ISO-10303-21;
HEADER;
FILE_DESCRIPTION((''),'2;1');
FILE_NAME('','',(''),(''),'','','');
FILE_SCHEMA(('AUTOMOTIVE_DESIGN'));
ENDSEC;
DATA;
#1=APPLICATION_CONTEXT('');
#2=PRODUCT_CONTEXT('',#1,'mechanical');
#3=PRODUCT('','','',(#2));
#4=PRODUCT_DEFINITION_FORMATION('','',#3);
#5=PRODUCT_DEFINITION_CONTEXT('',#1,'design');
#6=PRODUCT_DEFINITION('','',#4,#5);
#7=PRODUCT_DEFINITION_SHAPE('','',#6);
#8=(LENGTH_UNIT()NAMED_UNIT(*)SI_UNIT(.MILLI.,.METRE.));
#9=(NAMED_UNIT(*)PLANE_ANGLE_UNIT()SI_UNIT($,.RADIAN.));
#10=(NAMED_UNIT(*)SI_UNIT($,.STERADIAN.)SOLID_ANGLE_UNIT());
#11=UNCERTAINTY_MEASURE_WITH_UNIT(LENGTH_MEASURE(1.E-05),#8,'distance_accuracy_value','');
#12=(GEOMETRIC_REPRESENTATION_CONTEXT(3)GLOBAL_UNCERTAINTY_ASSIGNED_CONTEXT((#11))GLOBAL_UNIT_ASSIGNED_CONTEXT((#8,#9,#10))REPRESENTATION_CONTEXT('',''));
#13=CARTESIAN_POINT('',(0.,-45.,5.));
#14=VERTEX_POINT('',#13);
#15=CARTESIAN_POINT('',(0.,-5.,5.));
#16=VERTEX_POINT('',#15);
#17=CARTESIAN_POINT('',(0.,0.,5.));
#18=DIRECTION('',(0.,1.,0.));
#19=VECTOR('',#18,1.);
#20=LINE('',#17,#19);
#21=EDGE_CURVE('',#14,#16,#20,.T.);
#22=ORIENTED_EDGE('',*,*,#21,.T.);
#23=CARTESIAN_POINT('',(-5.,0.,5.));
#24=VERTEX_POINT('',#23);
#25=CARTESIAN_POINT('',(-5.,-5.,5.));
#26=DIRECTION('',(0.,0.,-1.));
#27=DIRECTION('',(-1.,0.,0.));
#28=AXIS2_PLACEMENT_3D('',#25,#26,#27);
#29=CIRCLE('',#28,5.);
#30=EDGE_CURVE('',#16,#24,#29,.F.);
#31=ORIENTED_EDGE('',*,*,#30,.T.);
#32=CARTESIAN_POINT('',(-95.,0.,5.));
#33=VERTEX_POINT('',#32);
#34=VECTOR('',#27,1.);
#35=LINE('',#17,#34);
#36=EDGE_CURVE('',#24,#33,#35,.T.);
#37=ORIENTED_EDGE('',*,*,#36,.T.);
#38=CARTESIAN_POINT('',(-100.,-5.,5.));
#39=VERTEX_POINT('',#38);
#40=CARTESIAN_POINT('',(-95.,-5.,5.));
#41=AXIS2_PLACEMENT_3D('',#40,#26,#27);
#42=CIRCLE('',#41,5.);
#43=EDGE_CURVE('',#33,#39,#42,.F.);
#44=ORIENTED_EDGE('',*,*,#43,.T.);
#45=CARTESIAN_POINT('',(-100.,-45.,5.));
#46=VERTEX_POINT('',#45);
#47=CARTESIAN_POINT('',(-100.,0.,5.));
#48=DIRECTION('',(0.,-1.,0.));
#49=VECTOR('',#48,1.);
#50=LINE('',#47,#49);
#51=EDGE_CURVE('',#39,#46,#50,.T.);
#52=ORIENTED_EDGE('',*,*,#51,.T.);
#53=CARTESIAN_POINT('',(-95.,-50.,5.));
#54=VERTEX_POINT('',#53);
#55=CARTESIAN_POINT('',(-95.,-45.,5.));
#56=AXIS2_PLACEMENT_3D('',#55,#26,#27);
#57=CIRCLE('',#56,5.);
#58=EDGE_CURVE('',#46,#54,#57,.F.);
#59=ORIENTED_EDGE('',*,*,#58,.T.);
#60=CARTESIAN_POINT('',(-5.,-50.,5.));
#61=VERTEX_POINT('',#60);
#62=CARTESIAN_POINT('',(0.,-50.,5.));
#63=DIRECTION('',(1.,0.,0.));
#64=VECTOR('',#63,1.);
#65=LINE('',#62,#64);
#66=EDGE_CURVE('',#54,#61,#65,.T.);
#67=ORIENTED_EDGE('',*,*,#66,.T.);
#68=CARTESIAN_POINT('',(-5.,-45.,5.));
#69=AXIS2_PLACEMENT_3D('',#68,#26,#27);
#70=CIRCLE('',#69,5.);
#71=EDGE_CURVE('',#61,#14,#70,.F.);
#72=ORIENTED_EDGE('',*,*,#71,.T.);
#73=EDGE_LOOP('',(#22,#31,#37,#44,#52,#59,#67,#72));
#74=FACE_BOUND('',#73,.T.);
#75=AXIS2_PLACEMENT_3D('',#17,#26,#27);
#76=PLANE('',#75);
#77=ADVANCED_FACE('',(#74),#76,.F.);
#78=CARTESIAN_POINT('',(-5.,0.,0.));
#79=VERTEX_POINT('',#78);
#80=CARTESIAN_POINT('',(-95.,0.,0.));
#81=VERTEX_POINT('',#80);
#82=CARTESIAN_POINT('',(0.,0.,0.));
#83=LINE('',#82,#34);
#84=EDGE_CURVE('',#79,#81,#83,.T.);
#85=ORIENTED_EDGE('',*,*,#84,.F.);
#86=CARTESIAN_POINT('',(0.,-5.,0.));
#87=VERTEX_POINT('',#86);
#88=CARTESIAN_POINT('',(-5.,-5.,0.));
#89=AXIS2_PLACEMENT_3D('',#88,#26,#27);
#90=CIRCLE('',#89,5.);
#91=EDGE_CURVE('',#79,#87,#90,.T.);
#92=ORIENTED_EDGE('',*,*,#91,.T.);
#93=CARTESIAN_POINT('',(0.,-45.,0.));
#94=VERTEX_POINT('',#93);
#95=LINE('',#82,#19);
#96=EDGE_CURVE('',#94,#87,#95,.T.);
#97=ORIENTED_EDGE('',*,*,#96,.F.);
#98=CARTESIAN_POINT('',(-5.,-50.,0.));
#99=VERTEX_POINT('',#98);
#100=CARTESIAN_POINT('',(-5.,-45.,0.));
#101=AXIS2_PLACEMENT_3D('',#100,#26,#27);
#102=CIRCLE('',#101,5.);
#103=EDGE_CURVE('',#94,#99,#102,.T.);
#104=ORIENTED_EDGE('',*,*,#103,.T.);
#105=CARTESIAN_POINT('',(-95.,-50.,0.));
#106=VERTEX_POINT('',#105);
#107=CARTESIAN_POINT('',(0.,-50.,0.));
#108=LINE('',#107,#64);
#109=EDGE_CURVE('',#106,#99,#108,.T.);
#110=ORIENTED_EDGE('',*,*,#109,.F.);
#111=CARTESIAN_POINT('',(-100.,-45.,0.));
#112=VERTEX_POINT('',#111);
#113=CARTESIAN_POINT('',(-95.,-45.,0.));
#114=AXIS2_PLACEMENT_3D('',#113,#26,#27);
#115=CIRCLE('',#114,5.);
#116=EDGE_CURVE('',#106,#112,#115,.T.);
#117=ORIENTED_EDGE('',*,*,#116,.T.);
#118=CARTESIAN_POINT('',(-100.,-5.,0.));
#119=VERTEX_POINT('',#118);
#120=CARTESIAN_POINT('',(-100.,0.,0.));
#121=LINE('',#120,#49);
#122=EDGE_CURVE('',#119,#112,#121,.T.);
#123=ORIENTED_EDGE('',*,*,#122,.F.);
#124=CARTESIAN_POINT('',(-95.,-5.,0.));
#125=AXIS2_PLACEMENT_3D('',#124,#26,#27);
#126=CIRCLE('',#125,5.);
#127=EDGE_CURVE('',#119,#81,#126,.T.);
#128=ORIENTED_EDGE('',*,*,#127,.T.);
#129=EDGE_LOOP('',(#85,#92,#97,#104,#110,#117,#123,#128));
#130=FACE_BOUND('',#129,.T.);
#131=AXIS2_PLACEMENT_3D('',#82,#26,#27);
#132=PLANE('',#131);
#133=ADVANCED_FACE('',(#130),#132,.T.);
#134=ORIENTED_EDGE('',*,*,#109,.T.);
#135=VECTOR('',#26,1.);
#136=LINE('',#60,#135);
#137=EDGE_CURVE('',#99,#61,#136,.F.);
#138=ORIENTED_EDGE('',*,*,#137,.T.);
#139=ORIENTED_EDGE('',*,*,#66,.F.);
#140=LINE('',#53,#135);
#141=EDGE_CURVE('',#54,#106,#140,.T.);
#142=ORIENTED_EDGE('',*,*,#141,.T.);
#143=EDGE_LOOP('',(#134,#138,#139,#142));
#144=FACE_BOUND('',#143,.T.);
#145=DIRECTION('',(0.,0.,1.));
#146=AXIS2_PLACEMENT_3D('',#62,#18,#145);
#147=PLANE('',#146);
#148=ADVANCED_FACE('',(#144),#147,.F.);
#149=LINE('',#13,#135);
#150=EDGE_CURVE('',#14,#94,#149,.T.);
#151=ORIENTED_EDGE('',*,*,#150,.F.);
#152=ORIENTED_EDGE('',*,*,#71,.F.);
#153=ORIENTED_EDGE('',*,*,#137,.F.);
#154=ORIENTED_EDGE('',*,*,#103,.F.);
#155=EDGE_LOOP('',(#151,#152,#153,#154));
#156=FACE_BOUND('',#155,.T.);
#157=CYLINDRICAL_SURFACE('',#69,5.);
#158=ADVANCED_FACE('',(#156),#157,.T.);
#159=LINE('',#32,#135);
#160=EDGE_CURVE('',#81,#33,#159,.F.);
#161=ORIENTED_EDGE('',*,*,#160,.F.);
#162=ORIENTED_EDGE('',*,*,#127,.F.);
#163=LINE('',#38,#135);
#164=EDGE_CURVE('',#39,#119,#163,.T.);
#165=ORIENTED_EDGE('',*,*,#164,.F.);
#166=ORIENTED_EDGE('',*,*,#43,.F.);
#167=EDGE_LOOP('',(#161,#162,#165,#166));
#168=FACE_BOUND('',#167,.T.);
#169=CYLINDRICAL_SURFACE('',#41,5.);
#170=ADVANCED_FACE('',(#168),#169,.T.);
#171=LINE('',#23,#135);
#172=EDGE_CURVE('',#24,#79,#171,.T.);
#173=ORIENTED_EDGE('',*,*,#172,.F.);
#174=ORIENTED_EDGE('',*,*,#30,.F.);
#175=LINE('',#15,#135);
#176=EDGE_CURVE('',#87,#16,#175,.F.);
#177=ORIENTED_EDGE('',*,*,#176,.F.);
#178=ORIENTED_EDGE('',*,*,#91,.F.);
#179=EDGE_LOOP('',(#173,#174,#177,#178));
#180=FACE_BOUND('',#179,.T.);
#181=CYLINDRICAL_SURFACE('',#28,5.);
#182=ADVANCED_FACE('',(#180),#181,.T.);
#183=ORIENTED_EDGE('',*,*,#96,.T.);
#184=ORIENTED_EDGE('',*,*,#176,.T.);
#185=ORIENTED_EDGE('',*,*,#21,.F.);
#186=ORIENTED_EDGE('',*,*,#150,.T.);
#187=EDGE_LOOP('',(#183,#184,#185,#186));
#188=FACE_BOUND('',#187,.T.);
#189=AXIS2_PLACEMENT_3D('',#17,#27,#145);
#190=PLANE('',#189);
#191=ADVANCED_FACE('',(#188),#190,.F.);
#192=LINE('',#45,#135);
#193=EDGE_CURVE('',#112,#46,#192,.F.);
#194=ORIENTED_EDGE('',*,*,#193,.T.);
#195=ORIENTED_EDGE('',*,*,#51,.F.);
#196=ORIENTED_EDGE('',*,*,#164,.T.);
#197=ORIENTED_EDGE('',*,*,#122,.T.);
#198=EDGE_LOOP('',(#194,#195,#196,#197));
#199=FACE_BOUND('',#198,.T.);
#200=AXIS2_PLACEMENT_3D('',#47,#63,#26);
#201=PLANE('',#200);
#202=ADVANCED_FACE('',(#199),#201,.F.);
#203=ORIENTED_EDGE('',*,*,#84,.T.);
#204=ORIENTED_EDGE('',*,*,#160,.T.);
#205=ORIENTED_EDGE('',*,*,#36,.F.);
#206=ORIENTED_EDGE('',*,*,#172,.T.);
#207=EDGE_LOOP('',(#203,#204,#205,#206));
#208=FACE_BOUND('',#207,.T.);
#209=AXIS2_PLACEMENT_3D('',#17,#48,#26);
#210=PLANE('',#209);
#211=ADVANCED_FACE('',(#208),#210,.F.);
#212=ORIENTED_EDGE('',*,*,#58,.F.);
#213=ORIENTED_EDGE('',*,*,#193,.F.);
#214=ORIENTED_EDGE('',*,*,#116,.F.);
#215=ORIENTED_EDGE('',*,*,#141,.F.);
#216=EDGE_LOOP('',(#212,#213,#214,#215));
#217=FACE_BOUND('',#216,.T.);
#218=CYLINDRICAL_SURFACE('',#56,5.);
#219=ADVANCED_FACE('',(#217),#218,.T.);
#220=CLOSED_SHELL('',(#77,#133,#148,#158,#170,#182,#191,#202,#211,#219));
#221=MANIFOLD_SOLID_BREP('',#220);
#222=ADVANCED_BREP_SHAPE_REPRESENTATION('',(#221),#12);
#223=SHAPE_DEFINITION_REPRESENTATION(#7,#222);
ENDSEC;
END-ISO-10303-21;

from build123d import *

# Parameters (mm, degrees)
ESQUISSE1_W        = 100
ESQUISSE1_H        = 50
BOSS_EXTRU_1_DEPTH = 5
CONG_2_R           = 5


with BuildPart() as part:
    # Esquisse1 → Boss.-Extru.1 (new body)
    with BuildSketch(Plane.XY):
        with Locations((-50, -25)):
            Rectangle(ESQUISSE1_W, ESQUISSE1_H)
    extrude(amount=BOSS_EXTRU_1_DEPTH)

    # Congé2
    cong_2_edges = [part.edges().sort_by_distance(p)[0] for p in [
        (0, -50, 2.5),
        (-100, -50, 2.5),
        (-100, 0, 2.5),
        (0, 0, 2.5),
    ]]
    fillet(cong_2_edges, radius=CONG_2_R)


solid = part.part
